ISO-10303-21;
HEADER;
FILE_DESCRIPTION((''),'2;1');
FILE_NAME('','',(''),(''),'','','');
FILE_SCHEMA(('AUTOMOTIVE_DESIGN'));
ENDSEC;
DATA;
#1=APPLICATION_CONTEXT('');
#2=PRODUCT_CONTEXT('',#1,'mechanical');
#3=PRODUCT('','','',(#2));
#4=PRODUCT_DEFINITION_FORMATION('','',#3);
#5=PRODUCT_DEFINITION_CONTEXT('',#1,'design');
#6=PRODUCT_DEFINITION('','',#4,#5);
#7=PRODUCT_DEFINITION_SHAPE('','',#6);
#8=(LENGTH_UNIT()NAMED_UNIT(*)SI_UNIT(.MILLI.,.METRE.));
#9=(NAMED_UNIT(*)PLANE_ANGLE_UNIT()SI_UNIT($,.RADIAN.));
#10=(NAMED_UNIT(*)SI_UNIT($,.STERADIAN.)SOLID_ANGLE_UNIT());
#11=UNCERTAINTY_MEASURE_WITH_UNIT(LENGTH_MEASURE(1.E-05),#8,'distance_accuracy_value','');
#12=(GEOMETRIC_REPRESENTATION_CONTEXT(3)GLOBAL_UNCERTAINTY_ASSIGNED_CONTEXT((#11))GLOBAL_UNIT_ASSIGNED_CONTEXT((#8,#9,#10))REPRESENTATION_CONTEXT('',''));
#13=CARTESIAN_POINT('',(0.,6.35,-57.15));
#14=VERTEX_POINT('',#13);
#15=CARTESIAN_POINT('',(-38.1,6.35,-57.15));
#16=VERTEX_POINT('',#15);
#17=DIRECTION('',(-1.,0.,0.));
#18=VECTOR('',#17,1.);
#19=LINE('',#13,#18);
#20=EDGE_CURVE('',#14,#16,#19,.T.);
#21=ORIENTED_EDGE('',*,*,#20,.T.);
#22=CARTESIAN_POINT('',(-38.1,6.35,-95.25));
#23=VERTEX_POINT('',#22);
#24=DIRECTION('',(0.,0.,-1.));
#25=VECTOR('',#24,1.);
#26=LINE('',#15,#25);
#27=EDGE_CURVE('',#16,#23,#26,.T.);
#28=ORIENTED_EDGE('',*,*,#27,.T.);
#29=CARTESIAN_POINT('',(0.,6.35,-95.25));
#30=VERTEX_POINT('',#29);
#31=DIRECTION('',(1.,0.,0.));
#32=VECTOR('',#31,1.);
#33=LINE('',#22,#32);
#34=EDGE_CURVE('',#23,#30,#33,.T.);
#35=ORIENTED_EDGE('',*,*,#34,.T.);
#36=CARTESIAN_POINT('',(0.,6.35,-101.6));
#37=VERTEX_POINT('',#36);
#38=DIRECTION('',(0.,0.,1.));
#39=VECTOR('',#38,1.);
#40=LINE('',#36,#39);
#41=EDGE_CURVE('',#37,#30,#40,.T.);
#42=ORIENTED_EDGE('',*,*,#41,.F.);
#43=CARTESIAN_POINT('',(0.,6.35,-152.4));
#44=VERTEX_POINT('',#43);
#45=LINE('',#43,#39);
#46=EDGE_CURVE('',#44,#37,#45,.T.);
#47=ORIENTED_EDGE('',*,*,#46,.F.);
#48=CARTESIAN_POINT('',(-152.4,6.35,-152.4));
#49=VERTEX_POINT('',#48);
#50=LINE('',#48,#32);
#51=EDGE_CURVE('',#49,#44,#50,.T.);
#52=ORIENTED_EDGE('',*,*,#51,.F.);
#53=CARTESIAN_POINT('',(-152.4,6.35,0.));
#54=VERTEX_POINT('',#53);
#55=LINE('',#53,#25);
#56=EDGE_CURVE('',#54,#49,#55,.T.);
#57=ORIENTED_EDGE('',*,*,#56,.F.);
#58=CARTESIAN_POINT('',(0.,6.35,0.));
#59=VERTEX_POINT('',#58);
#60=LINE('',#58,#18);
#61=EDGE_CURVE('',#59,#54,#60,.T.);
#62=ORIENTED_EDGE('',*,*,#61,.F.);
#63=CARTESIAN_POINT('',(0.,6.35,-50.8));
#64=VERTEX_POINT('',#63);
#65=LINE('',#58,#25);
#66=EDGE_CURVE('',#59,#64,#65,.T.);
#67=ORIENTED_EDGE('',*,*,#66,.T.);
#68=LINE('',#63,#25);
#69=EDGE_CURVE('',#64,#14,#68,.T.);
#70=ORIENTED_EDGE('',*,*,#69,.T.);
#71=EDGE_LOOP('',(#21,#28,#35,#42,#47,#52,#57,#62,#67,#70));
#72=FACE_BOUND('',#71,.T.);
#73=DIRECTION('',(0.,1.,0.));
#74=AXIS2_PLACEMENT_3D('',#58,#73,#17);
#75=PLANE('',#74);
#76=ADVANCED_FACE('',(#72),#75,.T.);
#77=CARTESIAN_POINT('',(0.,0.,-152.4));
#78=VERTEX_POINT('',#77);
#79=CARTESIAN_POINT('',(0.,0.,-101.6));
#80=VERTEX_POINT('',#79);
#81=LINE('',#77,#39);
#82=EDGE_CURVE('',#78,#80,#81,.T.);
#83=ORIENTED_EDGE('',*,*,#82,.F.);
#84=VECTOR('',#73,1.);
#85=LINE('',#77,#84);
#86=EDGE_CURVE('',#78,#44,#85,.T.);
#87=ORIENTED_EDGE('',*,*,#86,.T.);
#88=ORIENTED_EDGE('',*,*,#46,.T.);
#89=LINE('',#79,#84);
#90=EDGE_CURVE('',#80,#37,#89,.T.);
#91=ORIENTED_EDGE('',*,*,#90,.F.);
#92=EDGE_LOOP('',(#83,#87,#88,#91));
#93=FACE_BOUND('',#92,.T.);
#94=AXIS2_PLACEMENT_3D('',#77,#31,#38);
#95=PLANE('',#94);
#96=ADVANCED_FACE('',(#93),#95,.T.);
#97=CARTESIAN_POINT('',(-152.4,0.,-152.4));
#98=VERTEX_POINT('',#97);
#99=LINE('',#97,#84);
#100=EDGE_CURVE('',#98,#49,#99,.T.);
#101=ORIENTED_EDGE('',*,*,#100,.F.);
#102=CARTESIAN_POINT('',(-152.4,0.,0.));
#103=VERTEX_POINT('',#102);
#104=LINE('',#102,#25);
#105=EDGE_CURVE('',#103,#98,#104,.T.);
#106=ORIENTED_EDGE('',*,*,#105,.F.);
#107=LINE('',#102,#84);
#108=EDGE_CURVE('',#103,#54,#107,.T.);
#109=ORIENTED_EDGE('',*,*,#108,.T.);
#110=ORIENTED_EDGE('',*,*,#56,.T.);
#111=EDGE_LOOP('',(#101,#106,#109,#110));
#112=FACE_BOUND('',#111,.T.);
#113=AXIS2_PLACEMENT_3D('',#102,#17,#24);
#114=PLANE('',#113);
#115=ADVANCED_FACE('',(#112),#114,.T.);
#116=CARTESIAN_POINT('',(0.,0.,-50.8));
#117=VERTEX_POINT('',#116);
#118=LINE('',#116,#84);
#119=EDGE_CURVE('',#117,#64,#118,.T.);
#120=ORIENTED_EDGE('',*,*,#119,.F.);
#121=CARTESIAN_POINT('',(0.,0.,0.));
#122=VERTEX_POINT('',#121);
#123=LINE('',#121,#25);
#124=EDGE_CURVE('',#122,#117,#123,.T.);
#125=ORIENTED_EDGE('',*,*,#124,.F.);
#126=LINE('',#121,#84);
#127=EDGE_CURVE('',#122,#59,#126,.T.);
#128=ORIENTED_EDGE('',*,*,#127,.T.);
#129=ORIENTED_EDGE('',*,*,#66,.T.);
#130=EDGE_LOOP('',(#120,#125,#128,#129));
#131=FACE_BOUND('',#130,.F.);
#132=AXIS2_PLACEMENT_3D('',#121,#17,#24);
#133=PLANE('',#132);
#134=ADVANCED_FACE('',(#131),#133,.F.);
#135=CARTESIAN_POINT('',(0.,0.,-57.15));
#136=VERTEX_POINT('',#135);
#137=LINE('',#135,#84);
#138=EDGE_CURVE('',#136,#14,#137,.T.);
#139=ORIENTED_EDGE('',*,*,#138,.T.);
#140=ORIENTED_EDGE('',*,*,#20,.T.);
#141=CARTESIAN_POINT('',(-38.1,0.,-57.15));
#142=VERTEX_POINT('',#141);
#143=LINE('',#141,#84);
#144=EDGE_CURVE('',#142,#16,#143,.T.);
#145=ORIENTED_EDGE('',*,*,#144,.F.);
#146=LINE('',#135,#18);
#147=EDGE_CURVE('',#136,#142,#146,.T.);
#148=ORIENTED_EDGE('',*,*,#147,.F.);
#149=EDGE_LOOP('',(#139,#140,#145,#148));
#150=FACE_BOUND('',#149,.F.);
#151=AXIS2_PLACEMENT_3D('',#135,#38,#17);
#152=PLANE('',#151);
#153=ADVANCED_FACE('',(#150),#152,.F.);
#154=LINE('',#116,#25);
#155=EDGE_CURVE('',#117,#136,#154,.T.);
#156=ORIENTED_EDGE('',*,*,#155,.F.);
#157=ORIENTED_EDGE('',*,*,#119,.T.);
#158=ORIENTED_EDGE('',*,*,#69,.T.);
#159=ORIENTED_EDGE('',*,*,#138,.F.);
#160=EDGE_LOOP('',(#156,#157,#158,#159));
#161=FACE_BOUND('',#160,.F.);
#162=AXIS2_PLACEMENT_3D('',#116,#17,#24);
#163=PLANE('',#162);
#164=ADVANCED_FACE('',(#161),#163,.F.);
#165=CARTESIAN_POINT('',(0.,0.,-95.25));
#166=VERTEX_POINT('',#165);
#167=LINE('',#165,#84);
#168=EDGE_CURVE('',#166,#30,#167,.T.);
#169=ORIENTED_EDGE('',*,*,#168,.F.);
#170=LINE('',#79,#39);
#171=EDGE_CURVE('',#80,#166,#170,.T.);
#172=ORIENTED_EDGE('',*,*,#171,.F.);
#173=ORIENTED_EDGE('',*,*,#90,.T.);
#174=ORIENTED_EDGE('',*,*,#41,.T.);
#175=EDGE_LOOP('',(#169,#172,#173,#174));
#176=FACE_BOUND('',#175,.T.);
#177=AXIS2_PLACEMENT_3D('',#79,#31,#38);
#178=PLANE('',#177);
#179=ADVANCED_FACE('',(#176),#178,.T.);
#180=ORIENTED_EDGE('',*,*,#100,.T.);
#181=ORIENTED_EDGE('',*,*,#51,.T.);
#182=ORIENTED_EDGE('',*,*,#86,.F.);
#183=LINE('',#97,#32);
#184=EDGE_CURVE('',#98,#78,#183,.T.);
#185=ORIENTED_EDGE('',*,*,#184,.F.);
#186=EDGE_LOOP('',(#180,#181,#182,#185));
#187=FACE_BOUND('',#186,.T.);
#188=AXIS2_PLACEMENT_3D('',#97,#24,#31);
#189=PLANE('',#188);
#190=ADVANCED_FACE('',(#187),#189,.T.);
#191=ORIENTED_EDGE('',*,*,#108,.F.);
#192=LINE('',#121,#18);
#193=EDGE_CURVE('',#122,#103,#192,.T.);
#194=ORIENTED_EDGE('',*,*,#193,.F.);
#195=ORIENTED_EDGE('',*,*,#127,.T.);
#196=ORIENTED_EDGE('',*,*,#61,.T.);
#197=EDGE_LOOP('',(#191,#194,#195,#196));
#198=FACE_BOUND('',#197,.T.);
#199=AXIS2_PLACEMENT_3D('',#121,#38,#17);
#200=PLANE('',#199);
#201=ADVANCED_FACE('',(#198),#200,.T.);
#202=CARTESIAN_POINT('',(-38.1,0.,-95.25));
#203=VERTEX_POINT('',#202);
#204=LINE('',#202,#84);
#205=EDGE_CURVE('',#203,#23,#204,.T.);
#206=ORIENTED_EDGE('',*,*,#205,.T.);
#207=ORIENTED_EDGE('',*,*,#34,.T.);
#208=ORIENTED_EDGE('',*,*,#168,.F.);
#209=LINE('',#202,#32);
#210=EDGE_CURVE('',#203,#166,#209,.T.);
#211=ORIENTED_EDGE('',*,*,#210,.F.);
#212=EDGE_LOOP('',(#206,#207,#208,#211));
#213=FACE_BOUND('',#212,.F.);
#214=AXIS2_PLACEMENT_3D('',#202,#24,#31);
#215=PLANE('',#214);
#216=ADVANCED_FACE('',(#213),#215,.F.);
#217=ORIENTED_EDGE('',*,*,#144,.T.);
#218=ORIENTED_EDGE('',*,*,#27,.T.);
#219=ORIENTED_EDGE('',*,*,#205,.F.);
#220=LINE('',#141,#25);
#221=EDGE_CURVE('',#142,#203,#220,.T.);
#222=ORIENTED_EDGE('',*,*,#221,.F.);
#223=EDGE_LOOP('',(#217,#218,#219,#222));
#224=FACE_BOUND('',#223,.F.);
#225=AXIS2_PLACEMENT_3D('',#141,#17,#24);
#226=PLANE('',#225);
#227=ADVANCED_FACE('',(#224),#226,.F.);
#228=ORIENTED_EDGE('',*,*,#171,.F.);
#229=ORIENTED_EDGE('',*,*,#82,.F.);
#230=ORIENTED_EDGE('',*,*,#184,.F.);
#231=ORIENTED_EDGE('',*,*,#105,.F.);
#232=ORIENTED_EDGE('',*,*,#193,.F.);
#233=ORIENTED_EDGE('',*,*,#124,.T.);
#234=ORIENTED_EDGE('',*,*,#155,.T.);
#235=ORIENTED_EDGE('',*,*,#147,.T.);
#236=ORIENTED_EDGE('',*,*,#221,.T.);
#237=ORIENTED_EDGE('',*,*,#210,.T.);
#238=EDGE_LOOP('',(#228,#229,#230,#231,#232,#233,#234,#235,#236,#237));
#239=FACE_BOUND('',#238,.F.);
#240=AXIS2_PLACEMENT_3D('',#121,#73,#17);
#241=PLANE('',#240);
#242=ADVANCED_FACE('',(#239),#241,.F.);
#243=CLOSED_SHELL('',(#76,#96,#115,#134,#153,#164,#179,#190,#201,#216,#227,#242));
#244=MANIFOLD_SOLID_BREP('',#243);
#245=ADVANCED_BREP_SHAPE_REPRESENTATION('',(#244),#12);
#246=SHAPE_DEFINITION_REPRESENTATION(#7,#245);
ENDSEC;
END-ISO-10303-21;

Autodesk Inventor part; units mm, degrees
ref_plane "YZ Plane" through (0, 0, 0) normal (1, 0, 0) x (0, 1, 0)
ref_plane "XZ Plane" through (0, 0, 0) normal (0, 1, 0) x (-1, 0, 0)
ref_plane "XY Plane" through (0, 0, 0) normal (0, 0, 1) x (1, 0, 0)
sketch "Sketch1" plane through (0, 0, 0) normal (0, 1, 0) x (-1, 0, 0)
  line L0 (0, 0) -> (152.4, 0)
  line L1 (152.4, 0) -> (152.4, -152.4)
  line L2 (152.4, -152.4) -> (0, -152.4)
  line L3 (0, -152.4) -> (0, -101.6)
  line L4 (0, 0) -> (0, -50.8)
  line L5 (0, -50.8) -> (0, -57.15)
  line L6 (0, -101.6) -> (0, -95.25)
  line L7 (0, -57.15) -> (38.1, -57.15)
  line L8 (38.1, -57.15) -> (38.1, -95.25)
  line L9 (38.1, -95.25) -> (0, -95.25)
  dimension "d0" = 152.4
  dimension "d1" = 152.4
  dimension "d6" = 57.15
  dimension "d7" = 57.15
  dimension "d8" = 38.1
extrude "Extrusion1" add sketch "Sketch1" along normal blind 6.35
properties part number "Bottom_chasis"
